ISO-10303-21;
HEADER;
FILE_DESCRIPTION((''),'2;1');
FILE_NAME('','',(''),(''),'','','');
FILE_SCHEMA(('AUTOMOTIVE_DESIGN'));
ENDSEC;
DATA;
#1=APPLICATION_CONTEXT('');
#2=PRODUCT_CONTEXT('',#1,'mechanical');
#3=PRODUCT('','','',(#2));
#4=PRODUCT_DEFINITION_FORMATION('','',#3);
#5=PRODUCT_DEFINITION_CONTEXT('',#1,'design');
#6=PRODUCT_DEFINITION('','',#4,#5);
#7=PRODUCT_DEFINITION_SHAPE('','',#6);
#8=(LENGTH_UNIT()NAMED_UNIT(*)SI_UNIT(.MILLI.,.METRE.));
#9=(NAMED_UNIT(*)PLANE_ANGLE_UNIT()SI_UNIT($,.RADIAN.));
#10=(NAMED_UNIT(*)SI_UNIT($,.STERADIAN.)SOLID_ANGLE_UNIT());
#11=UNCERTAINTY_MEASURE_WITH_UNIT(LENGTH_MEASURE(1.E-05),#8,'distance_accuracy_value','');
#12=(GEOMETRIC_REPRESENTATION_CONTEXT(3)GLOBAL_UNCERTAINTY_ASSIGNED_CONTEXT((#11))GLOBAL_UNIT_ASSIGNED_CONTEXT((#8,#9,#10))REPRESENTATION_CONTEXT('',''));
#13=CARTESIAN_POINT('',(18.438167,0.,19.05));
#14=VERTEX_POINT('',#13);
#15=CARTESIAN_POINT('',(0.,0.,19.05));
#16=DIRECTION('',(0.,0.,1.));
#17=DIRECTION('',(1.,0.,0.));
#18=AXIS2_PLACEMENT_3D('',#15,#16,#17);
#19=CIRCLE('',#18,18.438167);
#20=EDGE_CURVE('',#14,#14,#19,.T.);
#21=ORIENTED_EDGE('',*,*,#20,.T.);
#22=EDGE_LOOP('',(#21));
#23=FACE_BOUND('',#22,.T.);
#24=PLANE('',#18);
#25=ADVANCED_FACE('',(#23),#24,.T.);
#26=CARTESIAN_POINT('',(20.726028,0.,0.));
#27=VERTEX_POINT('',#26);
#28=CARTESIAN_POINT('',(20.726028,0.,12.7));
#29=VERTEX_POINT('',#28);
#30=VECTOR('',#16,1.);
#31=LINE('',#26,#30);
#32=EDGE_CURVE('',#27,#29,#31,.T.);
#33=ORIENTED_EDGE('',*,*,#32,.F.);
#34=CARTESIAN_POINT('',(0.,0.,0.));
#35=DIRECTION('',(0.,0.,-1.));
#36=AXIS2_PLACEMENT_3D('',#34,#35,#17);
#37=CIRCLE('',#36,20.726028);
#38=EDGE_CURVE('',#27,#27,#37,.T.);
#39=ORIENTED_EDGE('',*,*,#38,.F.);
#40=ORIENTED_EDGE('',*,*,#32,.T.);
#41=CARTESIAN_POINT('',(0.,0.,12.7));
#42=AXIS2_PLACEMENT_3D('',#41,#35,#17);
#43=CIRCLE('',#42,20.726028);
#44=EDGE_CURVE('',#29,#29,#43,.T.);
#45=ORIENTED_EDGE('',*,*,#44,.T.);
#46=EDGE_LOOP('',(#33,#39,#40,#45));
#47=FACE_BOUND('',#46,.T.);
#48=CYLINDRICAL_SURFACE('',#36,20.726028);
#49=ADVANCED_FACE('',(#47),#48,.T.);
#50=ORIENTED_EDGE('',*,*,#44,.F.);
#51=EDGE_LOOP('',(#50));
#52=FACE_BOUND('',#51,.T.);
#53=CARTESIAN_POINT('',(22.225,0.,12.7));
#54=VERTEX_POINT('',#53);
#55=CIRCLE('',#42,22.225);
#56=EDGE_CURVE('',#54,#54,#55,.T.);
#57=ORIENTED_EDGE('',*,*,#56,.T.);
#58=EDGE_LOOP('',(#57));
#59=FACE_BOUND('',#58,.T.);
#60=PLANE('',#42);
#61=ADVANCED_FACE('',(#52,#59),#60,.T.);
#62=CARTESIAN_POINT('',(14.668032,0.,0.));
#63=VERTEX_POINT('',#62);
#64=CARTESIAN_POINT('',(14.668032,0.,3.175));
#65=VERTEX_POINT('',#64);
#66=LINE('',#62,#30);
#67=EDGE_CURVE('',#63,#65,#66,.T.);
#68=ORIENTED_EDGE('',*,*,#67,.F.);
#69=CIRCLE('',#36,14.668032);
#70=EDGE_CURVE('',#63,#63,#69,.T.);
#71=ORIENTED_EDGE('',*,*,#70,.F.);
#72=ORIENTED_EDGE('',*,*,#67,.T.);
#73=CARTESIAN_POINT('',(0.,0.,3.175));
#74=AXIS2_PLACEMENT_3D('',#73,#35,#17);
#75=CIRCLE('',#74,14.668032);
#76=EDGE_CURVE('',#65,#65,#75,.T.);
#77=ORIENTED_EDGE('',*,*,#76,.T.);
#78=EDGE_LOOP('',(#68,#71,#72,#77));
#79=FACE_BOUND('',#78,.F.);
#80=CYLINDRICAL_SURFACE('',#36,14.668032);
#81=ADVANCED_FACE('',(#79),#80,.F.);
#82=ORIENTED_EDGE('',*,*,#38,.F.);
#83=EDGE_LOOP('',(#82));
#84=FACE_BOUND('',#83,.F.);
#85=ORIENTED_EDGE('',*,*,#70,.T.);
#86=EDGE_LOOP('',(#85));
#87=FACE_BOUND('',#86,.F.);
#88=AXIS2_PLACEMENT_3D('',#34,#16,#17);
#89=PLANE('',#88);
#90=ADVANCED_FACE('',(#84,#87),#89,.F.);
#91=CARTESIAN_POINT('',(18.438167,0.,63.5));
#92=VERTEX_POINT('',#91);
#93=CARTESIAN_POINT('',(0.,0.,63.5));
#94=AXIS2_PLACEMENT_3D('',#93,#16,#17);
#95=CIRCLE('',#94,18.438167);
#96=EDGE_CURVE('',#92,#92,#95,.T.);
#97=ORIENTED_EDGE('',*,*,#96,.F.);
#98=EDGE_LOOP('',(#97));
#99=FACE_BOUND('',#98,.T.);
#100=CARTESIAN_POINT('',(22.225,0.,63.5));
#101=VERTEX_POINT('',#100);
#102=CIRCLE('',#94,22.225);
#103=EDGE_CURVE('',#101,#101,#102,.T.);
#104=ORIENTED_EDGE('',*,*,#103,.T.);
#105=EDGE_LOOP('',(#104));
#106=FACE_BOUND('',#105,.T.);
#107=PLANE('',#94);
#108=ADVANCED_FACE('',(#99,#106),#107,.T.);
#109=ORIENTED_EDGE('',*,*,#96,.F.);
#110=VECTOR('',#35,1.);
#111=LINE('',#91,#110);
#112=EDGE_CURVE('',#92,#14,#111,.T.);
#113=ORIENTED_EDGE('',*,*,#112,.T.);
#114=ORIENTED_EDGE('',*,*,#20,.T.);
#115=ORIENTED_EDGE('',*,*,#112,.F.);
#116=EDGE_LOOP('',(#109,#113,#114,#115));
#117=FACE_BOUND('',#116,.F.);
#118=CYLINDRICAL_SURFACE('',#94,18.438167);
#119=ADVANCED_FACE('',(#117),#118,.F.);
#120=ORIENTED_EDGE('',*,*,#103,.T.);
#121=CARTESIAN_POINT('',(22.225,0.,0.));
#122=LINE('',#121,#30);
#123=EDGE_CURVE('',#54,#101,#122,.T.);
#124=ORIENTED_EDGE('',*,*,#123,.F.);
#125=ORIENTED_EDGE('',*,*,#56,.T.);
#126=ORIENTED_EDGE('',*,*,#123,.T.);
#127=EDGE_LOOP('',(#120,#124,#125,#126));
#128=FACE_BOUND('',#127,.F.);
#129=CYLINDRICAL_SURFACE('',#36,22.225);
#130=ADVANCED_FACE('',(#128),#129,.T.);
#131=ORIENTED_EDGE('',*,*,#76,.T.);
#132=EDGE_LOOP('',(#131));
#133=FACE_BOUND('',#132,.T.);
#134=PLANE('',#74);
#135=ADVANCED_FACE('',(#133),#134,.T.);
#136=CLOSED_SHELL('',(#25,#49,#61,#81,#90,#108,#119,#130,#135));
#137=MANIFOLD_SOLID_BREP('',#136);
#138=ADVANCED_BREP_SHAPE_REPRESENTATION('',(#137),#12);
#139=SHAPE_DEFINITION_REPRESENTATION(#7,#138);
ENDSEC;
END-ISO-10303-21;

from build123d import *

# Parameters (mm, degrees)
F0_R        = 22.225
F1_DEPTH    = 63.5
F2_R        = 18.4381673654
F3_DEPTH    = 44.45
F4_R        = 22.225
F4_R_2      = 20.7260281568
F5_DEPTH    = 12.7
F6_R        = 14.6680324841
F1_FACE_R   = 22.225
F1_FACE_R_2 = 18.4381673654
F7_DEPTH    = 3.175


with BuildPart() as f1:
    # F0 (on Top) → F1 (new body)
    with BuildSketch(Plane.XY):
        Circle(F0_R)
    extrude(amount=F1_DEPTH)

    # F2 (on face) → F3 (cut)
    with BuildSketch(Plane.XY.offset(63.5)):
        Circle(F2_R)
    extrude(amount=-F3_DEPTH, mode=Mode.SUBTRACT)

    # F4 (on face) → F5 (cut)
    with BuildSketch(Plane(origin=(0, 0, 0), x_dir=(1, 0, 0), z_dir=(0, 0, -1))):
        Circle(F4_R)
        Circle(F4_R_2, mode=Mode.SUBTRACT)
    extrude(amount=-F5_DEPTH, mode=Mode.SUBTRACT)

    # F6 (on face) + F1_face (on face) → F7 (cut)
    with BuildSketch(Plane(origin=(0, 0, 0), x_dir=(1, 0, 0), z_dir=(0, 0, -1))):
        Circle(F6_R)
    with BuildSketch(Plane.XY.offset(63.5)):
        Circle(F1_FACE_R)
        Circle(F1_FACE_R_2, mode=Mode.SUBTRACT)
    extrude(amount=-F7_DEPTH, dir=(0, 0, -1), mode=Mode.SUBTRACT)


solid = f1.part
